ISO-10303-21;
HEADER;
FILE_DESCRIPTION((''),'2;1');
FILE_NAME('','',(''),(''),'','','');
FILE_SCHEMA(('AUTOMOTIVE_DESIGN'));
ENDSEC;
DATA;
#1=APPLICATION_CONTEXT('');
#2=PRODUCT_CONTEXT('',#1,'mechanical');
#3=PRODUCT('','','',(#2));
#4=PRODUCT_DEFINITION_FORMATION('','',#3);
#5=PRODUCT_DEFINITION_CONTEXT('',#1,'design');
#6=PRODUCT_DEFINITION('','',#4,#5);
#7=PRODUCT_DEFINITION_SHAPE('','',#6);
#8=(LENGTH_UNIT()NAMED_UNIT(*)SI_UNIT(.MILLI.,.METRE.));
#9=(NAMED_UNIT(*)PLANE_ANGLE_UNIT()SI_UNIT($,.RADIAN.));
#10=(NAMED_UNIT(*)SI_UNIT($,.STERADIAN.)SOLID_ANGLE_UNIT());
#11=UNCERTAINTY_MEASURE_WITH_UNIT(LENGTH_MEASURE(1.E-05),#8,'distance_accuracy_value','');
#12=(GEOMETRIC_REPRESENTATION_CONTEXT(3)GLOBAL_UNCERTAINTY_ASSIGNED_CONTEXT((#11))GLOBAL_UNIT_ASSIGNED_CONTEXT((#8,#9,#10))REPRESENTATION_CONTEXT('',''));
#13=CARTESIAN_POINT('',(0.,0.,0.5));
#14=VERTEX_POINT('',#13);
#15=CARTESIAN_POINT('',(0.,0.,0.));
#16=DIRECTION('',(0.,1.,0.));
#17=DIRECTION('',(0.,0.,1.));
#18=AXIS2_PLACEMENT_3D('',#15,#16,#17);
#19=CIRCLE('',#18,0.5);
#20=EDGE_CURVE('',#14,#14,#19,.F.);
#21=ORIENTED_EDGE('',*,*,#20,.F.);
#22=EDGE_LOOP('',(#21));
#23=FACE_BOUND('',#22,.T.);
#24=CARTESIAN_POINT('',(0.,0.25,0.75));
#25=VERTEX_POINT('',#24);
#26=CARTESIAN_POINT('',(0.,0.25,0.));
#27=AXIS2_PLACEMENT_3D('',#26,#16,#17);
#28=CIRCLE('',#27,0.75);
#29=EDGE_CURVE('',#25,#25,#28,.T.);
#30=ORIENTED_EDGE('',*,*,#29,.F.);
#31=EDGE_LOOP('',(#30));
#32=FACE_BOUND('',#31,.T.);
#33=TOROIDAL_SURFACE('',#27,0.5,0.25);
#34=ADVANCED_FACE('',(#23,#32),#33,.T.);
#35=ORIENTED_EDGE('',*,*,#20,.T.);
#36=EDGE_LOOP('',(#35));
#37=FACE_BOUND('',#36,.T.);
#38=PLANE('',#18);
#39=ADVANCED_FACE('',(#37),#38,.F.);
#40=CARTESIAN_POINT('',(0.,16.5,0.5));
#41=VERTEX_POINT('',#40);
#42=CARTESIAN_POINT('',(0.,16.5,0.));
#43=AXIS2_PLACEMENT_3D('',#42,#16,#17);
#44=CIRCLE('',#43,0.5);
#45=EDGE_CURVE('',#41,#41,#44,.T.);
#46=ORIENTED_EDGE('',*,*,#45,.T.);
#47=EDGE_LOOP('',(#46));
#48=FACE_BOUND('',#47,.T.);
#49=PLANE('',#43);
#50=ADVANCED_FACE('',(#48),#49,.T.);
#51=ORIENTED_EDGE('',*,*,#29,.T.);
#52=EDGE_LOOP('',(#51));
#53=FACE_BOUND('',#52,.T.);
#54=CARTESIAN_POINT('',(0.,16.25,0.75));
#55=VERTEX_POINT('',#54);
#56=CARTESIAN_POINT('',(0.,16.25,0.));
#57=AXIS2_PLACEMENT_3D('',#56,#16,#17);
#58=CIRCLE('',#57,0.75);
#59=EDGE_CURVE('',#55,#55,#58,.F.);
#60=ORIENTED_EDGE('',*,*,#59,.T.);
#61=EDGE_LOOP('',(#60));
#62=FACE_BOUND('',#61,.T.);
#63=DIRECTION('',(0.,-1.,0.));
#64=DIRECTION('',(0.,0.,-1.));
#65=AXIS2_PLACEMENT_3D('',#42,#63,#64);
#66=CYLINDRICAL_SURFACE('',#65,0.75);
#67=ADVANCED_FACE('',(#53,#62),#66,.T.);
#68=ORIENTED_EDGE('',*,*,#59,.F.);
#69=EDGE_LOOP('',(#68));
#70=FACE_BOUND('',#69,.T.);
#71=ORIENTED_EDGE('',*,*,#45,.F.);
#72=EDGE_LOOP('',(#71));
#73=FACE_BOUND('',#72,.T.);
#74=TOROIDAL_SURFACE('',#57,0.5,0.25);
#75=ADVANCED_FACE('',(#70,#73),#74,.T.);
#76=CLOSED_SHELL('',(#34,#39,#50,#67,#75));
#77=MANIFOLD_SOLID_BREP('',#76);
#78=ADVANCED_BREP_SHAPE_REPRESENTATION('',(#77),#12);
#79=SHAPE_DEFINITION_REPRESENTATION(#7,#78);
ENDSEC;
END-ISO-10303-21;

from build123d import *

# Parameters (mm, degrees)
ESQUISSE1_R        = 0.75
BOSS_EXTRU_1_DEPTH = 16.5
CONG_1_R           = 0.25


with BuildPart() as part:
    # Esquisse1 → Boss.-Extru.1 (new body)
    with BuildSketch(Plane(origin=(0, 0, 0), x_dir=(1, 0, 0), z_dir=(0, 1, 0))):
        with Locations(Location((0, 0, 0), (0, 0, 270))):
            Circle(ESQUISSE1_R)
    extrude(amount=BOSS_EXTRU_1_DEPTH)

    # Congé1
    cong_1_edges = [part.edges().sort_by_distance(p)[0] for p in [
        (0, 0, -0.75),
        (0, 16.5, -0.75),
    ]]
    fillet(cong_1_edges, radius=CONG_1_R)


solid = part.part
